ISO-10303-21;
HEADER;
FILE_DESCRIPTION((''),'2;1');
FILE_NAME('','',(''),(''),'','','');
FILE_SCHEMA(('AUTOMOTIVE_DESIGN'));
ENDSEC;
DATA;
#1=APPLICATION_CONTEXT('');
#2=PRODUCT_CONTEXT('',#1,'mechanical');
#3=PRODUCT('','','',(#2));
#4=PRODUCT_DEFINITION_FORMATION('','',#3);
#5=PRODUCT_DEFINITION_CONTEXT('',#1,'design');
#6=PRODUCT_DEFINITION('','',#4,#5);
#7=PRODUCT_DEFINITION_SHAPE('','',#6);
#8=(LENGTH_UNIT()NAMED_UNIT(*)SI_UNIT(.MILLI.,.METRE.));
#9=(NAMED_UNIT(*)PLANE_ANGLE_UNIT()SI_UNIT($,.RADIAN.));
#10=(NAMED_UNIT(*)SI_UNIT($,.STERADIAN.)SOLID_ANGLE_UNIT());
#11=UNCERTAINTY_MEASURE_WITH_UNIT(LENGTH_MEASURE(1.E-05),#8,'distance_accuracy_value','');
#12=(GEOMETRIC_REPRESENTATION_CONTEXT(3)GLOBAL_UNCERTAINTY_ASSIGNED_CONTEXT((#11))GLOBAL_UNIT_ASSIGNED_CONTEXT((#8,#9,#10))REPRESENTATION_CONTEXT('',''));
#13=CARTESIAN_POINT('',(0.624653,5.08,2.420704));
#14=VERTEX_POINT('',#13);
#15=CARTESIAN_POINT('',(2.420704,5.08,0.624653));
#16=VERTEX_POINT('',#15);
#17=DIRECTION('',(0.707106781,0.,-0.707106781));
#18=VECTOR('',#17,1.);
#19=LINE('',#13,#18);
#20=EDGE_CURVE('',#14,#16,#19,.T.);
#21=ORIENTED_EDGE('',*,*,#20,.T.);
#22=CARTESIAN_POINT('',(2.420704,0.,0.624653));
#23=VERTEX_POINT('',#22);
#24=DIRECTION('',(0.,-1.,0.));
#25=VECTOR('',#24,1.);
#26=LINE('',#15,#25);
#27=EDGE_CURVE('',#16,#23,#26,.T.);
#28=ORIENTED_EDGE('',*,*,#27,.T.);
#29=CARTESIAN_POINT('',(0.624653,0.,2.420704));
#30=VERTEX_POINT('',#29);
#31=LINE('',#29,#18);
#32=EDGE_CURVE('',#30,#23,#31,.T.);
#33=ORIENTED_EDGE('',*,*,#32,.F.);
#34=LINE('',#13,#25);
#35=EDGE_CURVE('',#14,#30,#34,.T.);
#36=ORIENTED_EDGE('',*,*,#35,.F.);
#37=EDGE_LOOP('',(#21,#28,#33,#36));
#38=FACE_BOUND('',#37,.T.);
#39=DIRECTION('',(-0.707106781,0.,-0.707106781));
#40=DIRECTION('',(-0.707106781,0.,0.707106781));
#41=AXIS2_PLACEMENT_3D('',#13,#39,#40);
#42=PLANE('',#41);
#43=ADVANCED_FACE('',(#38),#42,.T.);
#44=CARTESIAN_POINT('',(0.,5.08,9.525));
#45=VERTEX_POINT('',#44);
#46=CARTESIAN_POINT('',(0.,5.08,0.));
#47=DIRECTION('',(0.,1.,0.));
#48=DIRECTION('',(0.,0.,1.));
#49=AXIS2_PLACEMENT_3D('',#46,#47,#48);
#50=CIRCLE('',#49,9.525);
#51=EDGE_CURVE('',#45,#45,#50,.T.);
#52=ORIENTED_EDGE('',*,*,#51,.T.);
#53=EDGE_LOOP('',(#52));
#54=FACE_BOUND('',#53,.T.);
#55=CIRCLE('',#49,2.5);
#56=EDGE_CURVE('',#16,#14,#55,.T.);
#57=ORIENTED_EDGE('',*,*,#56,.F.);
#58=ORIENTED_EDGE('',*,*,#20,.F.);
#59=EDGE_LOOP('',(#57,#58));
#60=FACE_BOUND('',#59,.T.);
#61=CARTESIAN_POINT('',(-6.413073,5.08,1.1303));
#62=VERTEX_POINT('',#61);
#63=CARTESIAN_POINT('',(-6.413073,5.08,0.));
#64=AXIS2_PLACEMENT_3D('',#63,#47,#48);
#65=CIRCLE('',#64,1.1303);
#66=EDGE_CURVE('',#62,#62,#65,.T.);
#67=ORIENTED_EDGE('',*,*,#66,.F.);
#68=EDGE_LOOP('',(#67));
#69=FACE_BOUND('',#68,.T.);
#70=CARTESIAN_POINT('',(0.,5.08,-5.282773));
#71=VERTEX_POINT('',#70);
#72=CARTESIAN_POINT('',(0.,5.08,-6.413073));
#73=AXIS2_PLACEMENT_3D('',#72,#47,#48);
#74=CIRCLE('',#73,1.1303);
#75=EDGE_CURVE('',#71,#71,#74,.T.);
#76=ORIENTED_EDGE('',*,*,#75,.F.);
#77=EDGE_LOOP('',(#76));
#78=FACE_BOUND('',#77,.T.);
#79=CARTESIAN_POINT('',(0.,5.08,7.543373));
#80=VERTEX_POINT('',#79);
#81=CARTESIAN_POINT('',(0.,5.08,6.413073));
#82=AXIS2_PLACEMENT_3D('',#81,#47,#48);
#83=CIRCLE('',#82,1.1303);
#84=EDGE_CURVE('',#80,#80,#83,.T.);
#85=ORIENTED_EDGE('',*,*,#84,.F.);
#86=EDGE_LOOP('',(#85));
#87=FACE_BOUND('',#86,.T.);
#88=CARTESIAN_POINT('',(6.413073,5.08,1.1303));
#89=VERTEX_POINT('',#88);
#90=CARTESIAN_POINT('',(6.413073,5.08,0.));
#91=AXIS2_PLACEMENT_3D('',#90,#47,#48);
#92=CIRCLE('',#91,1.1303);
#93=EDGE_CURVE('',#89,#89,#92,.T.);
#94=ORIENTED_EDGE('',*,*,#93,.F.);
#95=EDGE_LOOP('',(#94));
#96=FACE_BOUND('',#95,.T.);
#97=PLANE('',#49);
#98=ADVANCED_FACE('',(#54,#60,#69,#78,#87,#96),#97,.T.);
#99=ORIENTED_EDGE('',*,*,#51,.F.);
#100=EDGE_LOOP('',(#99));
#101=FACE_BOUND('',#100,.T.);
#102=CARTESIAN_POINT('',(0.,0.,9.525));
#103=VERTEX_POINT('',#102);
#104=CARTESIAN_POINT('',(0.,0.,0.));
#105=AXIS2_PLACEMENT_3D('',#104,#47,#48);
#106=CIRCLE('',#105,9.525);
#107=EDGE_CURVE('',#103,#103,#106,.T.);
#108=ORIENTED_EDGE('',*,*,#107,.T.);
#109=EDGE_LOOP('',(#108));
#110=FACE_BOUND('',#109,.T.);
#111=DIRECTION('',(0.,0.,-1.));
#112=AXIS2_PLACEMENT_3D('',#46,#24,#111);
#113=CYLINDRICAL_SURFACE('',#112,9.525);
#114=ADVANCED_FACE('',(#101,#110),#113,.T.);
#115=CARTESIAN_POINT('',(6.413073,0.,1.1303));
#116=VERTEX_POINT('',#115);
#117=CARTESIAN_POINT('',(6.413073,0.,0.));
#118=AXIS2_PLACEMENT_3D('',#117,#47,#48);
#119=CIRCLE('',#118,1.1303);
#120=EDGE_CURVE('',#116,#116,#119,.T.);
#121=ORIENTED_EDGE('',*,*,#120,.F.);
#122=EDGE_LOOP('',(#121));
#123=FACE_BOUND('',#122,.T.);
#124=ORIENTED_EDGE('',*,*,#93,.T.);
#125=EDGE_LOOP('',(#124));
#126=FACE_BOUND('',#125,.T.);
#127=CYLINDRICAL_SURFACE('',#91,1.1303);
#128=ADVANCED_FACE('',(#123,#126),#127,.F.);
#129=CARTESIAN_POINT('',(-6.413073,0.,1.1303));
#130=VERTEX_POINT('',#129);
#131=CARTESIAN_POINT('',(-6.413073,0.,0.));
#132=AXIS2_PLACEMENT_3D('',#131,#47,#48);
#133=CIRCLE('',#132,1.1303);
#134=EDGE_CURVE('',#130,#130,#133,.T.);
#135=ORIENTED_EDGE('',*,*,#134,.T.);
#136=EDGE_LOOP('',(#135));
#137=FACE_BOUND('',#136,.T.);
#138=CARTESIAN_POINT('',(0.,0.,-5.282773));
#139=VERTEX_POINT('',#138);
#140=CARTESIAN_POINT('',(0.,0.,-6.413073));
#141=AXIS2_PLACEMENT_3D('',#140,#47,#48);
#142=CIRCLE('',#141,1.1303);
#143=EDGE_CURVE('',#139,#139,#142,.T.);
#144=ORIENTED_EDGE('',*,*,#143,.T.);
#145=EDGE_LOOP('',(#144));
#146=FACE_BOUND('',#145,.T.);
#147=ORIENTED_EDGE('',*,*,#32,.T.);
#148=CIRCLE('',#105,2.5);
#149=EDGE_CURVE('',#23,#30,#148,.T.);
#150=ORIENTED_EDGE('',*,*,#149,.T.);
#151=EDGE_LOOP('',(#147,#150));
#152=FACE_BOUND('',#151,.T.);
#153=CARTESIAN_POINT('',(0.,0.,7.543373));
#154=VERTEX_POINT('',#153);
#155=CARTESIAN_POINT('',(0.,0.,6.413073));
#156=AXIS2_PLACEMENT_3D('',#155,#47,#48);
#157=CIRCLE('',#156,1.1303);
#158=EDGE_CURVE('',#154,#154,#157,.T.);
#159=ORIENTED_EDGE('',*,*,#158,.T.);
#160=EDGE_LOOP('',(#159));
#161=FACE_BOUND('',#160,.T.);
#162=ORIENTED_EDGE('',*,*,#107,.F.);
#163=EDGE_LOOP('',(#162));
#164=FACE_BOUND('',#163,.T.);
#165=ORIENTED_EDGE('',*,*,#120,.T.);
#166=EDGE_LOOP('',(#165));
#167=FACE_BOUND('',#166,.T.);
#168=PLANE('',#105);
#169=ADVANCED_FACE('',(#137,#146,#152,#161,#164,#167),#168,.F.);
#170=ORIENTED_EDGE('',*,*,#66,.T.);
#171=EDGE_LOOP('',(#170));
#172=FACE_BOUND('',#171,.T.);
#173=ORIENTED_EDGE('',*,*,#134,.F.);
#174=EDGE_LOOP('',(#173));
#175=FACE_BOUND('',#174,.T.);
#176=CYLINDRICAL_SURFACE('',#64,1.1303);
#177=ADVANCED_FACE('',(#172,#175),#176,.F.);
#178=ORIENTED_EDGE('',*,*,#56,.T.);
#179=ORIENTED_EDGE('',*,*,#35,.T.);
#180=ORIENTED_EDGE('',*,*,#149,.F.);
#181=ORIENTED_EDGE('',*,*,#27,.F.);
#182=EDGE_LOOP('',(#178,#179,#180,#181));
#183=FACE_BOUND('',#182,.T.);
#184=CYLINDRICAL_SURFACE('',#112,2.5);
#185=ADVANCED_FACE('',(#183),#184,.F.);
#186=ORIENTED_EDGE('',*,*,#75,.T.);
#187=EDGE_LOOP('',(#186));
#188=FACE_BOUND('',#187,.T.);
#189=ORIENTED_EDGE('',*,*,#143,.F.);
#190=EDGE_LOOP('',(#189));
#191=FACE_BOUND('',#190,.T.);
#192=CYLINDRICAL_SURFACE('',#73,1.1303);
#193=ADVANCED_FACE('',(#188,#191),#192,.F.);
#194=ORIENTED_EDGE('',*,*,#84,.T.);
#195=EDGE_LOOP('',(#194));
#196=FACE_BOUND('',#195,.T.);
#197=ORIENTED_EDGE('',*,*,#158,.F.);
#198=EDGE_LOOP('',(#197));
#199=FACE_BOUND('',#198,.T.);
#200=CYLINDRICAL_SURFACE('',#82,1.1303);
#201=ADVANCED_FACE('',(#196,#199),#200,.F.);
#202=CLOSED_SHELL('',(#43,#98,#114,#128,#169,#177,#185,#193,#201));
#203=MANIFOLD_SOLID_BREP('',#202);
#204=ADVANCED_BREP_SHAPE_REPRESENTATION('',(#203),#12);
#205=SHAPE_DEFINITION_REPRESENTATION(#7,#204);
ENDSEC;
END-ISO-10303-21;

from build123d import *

# Parameters (mm, degrees)
SKETCH1_R                   = 9.525
BOSS_EXTRUDE1_DEPTH         = 5.08
F_43_0_089_DIAMETER_HOLE1_D = 2.2606
CIRPATTERN1_COUNT           = 4


with BuildPart() as part:
    # Sketch1 → Boss-Extrude1 (new body)
    with BuildSketch(Plane(origin=(0, 0, 0), x_dir=(1, 0, 0), z_dir=(0, 1, 0))):
        Circle(SKETCH1_R)
        with BuildLine():
            Line((0.624652949, -2.420704173), (2.420704173, -0.624652949))
            ThreePointArc((2.420704173, -0.624652949), (-1.767766953, 1.767766953), (0.624652949, -2.420704173))
        make_face(mode=Mode.SUBTRACT)
    extrude(amount=BOSS_EXTRUDE1_DEPTH)

    # #43 (0.089) Diameter Hole1 (through all)
    with Locations(Plane(origin=(0, 5.08, 0), x_dir=(1, 0, 0), z_dir=(0, 1, 0))):
        with Locations((0, 6.413072646)):
            f_43_0_089_diameter_hole1 = Hole(F_43_0_089_DIAMETER_HOLE1_D / 2)

    # CirPattern1: #43 (0.089) Diameter Hole1 ×4 about axis
    cirpattern1_axis = Axis((0, 0, 0), (0, 1, 0))
    for i in range(1, CIRPATTERN1_COUNT):
        add(f_43_0_089_diameter_hole1.rotate(cirpattern1_axis, i * 360 / CIRPATTERN1_COUNT), mode=Mode.SUBTRACT)


solid = part.part
